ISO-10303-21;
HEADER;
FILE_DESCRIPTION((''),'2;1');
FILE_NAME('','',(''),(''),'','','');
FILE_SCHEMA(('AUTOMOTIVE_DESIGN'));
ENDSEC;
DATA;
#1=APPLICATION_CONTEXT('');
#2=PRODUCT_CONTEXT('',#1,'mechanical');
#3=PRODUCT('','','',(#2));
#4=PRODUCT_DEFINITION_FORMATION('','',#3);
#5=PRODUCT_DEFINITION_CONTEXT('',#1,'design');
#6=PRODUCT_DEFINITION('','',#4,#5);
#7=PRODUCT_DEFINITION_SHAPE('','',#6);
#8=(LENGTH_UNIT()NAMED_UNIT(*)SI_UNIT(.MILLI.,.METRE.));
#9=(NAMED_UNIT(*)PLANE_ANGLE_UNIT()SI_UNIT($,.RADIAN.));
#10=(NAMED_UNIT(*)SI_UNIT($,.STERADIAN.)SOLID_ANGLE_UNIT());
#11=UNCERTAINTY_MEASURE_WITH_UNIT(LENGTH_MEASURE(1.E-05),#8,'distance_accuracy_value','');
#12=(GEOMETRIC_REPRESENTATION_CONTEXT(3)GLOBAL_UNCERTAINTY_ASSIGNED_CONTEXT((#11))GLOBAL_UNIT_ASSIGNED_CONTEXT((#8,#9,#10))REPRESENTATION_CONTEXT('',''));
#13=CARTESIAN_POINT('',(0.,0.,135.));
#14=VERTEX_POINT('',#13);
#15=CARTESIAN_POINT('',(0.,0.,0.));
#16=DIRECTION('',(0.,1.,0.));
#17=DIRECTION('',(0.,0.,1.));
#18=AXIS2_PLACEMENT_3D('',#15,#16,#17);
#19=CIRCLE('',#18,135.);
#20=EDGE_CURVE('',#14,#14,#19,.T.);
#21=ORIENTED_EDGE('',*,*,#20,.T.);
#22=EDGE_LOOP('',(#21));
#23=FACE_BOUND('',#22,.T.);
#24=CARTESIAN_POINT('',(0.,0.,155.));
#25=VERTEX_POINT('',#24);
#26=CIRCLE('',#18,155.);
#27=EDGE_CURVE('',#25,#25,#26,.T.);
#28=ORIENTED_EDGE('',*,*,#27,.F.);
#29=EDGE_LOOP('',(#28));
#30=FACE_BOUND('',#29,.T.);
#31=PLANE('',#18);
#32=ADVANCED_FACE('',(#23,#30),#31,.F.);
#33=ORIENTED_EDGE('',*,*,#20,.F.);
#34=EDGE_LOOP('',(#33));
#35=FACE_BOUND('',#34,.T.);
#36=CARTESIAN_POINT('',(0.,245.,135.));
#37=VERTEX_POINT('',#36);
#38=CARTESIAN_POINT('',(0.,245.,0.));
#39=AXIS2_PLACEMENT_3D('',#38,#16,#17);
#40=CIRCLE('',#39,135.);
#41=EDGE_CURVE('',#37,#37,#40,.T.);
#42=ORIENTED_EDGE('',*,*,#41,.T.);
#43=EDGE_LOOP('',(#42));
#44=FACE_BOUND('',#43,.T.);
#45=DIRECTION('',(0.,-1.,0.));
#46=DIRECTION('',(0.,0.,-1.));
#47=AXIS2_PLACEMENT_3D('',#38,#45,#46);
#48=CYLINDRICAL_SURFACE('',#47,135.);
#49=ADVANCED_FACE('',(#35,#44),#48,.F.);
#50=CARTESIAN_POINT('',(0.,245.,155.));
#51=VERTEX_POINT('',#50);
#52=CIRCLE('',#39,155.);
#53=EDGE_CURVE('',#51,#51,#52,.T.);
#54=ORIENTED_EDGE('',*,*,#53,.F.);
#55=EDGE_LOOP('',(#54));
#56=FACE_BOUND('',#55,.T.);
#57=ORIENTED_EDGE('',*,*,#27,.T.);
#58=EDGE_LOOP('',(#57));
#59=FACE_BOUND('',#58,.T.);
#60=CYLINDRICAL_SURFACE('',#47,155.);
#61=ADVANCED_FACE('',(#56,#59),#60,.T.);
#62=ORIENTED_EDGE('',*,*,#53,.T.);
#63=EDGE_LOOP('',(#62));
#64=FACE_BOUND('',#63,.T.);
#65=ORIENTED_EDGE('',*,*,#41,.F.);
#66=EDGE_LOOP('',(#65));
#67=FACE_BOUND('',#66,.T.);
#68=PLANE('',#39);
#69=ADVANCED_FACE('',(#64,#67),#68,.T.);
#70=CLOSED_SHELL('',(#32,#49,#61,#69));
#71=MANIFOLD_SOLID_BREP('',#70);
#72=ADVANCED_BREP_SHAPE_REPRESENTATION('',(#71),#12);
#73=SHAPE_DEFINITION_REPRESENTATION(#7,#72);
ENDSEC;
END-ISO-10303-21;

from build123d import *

# Parameters (mm, degrees)
SKETCH1_R           = 155
SKETCH1_R_2         = 135
BOSS_EXTRUDE1_DEPTH = 245


with BuildPart() as part:
    # Sketch1 → Boss-Extrude1 (new body)
    with BuildSketch(Plane(origin=(0, 0, 0), x_dir=(1, 0, 0), z_dir=(0, 1, 0))):
        with Locations(Location((0, 0, 0), (0, 0, 270))):
            Circle(SKETCH1_R)
        with Locations(Location((0, 0, 0), (0, 0, 270))):
            Circle(SKETCH1_R_2, mode=Mode.SUBTRACT)
    extrude(amount=BOSS_EXTRUDE1_DEPTH)


solid = part.part
